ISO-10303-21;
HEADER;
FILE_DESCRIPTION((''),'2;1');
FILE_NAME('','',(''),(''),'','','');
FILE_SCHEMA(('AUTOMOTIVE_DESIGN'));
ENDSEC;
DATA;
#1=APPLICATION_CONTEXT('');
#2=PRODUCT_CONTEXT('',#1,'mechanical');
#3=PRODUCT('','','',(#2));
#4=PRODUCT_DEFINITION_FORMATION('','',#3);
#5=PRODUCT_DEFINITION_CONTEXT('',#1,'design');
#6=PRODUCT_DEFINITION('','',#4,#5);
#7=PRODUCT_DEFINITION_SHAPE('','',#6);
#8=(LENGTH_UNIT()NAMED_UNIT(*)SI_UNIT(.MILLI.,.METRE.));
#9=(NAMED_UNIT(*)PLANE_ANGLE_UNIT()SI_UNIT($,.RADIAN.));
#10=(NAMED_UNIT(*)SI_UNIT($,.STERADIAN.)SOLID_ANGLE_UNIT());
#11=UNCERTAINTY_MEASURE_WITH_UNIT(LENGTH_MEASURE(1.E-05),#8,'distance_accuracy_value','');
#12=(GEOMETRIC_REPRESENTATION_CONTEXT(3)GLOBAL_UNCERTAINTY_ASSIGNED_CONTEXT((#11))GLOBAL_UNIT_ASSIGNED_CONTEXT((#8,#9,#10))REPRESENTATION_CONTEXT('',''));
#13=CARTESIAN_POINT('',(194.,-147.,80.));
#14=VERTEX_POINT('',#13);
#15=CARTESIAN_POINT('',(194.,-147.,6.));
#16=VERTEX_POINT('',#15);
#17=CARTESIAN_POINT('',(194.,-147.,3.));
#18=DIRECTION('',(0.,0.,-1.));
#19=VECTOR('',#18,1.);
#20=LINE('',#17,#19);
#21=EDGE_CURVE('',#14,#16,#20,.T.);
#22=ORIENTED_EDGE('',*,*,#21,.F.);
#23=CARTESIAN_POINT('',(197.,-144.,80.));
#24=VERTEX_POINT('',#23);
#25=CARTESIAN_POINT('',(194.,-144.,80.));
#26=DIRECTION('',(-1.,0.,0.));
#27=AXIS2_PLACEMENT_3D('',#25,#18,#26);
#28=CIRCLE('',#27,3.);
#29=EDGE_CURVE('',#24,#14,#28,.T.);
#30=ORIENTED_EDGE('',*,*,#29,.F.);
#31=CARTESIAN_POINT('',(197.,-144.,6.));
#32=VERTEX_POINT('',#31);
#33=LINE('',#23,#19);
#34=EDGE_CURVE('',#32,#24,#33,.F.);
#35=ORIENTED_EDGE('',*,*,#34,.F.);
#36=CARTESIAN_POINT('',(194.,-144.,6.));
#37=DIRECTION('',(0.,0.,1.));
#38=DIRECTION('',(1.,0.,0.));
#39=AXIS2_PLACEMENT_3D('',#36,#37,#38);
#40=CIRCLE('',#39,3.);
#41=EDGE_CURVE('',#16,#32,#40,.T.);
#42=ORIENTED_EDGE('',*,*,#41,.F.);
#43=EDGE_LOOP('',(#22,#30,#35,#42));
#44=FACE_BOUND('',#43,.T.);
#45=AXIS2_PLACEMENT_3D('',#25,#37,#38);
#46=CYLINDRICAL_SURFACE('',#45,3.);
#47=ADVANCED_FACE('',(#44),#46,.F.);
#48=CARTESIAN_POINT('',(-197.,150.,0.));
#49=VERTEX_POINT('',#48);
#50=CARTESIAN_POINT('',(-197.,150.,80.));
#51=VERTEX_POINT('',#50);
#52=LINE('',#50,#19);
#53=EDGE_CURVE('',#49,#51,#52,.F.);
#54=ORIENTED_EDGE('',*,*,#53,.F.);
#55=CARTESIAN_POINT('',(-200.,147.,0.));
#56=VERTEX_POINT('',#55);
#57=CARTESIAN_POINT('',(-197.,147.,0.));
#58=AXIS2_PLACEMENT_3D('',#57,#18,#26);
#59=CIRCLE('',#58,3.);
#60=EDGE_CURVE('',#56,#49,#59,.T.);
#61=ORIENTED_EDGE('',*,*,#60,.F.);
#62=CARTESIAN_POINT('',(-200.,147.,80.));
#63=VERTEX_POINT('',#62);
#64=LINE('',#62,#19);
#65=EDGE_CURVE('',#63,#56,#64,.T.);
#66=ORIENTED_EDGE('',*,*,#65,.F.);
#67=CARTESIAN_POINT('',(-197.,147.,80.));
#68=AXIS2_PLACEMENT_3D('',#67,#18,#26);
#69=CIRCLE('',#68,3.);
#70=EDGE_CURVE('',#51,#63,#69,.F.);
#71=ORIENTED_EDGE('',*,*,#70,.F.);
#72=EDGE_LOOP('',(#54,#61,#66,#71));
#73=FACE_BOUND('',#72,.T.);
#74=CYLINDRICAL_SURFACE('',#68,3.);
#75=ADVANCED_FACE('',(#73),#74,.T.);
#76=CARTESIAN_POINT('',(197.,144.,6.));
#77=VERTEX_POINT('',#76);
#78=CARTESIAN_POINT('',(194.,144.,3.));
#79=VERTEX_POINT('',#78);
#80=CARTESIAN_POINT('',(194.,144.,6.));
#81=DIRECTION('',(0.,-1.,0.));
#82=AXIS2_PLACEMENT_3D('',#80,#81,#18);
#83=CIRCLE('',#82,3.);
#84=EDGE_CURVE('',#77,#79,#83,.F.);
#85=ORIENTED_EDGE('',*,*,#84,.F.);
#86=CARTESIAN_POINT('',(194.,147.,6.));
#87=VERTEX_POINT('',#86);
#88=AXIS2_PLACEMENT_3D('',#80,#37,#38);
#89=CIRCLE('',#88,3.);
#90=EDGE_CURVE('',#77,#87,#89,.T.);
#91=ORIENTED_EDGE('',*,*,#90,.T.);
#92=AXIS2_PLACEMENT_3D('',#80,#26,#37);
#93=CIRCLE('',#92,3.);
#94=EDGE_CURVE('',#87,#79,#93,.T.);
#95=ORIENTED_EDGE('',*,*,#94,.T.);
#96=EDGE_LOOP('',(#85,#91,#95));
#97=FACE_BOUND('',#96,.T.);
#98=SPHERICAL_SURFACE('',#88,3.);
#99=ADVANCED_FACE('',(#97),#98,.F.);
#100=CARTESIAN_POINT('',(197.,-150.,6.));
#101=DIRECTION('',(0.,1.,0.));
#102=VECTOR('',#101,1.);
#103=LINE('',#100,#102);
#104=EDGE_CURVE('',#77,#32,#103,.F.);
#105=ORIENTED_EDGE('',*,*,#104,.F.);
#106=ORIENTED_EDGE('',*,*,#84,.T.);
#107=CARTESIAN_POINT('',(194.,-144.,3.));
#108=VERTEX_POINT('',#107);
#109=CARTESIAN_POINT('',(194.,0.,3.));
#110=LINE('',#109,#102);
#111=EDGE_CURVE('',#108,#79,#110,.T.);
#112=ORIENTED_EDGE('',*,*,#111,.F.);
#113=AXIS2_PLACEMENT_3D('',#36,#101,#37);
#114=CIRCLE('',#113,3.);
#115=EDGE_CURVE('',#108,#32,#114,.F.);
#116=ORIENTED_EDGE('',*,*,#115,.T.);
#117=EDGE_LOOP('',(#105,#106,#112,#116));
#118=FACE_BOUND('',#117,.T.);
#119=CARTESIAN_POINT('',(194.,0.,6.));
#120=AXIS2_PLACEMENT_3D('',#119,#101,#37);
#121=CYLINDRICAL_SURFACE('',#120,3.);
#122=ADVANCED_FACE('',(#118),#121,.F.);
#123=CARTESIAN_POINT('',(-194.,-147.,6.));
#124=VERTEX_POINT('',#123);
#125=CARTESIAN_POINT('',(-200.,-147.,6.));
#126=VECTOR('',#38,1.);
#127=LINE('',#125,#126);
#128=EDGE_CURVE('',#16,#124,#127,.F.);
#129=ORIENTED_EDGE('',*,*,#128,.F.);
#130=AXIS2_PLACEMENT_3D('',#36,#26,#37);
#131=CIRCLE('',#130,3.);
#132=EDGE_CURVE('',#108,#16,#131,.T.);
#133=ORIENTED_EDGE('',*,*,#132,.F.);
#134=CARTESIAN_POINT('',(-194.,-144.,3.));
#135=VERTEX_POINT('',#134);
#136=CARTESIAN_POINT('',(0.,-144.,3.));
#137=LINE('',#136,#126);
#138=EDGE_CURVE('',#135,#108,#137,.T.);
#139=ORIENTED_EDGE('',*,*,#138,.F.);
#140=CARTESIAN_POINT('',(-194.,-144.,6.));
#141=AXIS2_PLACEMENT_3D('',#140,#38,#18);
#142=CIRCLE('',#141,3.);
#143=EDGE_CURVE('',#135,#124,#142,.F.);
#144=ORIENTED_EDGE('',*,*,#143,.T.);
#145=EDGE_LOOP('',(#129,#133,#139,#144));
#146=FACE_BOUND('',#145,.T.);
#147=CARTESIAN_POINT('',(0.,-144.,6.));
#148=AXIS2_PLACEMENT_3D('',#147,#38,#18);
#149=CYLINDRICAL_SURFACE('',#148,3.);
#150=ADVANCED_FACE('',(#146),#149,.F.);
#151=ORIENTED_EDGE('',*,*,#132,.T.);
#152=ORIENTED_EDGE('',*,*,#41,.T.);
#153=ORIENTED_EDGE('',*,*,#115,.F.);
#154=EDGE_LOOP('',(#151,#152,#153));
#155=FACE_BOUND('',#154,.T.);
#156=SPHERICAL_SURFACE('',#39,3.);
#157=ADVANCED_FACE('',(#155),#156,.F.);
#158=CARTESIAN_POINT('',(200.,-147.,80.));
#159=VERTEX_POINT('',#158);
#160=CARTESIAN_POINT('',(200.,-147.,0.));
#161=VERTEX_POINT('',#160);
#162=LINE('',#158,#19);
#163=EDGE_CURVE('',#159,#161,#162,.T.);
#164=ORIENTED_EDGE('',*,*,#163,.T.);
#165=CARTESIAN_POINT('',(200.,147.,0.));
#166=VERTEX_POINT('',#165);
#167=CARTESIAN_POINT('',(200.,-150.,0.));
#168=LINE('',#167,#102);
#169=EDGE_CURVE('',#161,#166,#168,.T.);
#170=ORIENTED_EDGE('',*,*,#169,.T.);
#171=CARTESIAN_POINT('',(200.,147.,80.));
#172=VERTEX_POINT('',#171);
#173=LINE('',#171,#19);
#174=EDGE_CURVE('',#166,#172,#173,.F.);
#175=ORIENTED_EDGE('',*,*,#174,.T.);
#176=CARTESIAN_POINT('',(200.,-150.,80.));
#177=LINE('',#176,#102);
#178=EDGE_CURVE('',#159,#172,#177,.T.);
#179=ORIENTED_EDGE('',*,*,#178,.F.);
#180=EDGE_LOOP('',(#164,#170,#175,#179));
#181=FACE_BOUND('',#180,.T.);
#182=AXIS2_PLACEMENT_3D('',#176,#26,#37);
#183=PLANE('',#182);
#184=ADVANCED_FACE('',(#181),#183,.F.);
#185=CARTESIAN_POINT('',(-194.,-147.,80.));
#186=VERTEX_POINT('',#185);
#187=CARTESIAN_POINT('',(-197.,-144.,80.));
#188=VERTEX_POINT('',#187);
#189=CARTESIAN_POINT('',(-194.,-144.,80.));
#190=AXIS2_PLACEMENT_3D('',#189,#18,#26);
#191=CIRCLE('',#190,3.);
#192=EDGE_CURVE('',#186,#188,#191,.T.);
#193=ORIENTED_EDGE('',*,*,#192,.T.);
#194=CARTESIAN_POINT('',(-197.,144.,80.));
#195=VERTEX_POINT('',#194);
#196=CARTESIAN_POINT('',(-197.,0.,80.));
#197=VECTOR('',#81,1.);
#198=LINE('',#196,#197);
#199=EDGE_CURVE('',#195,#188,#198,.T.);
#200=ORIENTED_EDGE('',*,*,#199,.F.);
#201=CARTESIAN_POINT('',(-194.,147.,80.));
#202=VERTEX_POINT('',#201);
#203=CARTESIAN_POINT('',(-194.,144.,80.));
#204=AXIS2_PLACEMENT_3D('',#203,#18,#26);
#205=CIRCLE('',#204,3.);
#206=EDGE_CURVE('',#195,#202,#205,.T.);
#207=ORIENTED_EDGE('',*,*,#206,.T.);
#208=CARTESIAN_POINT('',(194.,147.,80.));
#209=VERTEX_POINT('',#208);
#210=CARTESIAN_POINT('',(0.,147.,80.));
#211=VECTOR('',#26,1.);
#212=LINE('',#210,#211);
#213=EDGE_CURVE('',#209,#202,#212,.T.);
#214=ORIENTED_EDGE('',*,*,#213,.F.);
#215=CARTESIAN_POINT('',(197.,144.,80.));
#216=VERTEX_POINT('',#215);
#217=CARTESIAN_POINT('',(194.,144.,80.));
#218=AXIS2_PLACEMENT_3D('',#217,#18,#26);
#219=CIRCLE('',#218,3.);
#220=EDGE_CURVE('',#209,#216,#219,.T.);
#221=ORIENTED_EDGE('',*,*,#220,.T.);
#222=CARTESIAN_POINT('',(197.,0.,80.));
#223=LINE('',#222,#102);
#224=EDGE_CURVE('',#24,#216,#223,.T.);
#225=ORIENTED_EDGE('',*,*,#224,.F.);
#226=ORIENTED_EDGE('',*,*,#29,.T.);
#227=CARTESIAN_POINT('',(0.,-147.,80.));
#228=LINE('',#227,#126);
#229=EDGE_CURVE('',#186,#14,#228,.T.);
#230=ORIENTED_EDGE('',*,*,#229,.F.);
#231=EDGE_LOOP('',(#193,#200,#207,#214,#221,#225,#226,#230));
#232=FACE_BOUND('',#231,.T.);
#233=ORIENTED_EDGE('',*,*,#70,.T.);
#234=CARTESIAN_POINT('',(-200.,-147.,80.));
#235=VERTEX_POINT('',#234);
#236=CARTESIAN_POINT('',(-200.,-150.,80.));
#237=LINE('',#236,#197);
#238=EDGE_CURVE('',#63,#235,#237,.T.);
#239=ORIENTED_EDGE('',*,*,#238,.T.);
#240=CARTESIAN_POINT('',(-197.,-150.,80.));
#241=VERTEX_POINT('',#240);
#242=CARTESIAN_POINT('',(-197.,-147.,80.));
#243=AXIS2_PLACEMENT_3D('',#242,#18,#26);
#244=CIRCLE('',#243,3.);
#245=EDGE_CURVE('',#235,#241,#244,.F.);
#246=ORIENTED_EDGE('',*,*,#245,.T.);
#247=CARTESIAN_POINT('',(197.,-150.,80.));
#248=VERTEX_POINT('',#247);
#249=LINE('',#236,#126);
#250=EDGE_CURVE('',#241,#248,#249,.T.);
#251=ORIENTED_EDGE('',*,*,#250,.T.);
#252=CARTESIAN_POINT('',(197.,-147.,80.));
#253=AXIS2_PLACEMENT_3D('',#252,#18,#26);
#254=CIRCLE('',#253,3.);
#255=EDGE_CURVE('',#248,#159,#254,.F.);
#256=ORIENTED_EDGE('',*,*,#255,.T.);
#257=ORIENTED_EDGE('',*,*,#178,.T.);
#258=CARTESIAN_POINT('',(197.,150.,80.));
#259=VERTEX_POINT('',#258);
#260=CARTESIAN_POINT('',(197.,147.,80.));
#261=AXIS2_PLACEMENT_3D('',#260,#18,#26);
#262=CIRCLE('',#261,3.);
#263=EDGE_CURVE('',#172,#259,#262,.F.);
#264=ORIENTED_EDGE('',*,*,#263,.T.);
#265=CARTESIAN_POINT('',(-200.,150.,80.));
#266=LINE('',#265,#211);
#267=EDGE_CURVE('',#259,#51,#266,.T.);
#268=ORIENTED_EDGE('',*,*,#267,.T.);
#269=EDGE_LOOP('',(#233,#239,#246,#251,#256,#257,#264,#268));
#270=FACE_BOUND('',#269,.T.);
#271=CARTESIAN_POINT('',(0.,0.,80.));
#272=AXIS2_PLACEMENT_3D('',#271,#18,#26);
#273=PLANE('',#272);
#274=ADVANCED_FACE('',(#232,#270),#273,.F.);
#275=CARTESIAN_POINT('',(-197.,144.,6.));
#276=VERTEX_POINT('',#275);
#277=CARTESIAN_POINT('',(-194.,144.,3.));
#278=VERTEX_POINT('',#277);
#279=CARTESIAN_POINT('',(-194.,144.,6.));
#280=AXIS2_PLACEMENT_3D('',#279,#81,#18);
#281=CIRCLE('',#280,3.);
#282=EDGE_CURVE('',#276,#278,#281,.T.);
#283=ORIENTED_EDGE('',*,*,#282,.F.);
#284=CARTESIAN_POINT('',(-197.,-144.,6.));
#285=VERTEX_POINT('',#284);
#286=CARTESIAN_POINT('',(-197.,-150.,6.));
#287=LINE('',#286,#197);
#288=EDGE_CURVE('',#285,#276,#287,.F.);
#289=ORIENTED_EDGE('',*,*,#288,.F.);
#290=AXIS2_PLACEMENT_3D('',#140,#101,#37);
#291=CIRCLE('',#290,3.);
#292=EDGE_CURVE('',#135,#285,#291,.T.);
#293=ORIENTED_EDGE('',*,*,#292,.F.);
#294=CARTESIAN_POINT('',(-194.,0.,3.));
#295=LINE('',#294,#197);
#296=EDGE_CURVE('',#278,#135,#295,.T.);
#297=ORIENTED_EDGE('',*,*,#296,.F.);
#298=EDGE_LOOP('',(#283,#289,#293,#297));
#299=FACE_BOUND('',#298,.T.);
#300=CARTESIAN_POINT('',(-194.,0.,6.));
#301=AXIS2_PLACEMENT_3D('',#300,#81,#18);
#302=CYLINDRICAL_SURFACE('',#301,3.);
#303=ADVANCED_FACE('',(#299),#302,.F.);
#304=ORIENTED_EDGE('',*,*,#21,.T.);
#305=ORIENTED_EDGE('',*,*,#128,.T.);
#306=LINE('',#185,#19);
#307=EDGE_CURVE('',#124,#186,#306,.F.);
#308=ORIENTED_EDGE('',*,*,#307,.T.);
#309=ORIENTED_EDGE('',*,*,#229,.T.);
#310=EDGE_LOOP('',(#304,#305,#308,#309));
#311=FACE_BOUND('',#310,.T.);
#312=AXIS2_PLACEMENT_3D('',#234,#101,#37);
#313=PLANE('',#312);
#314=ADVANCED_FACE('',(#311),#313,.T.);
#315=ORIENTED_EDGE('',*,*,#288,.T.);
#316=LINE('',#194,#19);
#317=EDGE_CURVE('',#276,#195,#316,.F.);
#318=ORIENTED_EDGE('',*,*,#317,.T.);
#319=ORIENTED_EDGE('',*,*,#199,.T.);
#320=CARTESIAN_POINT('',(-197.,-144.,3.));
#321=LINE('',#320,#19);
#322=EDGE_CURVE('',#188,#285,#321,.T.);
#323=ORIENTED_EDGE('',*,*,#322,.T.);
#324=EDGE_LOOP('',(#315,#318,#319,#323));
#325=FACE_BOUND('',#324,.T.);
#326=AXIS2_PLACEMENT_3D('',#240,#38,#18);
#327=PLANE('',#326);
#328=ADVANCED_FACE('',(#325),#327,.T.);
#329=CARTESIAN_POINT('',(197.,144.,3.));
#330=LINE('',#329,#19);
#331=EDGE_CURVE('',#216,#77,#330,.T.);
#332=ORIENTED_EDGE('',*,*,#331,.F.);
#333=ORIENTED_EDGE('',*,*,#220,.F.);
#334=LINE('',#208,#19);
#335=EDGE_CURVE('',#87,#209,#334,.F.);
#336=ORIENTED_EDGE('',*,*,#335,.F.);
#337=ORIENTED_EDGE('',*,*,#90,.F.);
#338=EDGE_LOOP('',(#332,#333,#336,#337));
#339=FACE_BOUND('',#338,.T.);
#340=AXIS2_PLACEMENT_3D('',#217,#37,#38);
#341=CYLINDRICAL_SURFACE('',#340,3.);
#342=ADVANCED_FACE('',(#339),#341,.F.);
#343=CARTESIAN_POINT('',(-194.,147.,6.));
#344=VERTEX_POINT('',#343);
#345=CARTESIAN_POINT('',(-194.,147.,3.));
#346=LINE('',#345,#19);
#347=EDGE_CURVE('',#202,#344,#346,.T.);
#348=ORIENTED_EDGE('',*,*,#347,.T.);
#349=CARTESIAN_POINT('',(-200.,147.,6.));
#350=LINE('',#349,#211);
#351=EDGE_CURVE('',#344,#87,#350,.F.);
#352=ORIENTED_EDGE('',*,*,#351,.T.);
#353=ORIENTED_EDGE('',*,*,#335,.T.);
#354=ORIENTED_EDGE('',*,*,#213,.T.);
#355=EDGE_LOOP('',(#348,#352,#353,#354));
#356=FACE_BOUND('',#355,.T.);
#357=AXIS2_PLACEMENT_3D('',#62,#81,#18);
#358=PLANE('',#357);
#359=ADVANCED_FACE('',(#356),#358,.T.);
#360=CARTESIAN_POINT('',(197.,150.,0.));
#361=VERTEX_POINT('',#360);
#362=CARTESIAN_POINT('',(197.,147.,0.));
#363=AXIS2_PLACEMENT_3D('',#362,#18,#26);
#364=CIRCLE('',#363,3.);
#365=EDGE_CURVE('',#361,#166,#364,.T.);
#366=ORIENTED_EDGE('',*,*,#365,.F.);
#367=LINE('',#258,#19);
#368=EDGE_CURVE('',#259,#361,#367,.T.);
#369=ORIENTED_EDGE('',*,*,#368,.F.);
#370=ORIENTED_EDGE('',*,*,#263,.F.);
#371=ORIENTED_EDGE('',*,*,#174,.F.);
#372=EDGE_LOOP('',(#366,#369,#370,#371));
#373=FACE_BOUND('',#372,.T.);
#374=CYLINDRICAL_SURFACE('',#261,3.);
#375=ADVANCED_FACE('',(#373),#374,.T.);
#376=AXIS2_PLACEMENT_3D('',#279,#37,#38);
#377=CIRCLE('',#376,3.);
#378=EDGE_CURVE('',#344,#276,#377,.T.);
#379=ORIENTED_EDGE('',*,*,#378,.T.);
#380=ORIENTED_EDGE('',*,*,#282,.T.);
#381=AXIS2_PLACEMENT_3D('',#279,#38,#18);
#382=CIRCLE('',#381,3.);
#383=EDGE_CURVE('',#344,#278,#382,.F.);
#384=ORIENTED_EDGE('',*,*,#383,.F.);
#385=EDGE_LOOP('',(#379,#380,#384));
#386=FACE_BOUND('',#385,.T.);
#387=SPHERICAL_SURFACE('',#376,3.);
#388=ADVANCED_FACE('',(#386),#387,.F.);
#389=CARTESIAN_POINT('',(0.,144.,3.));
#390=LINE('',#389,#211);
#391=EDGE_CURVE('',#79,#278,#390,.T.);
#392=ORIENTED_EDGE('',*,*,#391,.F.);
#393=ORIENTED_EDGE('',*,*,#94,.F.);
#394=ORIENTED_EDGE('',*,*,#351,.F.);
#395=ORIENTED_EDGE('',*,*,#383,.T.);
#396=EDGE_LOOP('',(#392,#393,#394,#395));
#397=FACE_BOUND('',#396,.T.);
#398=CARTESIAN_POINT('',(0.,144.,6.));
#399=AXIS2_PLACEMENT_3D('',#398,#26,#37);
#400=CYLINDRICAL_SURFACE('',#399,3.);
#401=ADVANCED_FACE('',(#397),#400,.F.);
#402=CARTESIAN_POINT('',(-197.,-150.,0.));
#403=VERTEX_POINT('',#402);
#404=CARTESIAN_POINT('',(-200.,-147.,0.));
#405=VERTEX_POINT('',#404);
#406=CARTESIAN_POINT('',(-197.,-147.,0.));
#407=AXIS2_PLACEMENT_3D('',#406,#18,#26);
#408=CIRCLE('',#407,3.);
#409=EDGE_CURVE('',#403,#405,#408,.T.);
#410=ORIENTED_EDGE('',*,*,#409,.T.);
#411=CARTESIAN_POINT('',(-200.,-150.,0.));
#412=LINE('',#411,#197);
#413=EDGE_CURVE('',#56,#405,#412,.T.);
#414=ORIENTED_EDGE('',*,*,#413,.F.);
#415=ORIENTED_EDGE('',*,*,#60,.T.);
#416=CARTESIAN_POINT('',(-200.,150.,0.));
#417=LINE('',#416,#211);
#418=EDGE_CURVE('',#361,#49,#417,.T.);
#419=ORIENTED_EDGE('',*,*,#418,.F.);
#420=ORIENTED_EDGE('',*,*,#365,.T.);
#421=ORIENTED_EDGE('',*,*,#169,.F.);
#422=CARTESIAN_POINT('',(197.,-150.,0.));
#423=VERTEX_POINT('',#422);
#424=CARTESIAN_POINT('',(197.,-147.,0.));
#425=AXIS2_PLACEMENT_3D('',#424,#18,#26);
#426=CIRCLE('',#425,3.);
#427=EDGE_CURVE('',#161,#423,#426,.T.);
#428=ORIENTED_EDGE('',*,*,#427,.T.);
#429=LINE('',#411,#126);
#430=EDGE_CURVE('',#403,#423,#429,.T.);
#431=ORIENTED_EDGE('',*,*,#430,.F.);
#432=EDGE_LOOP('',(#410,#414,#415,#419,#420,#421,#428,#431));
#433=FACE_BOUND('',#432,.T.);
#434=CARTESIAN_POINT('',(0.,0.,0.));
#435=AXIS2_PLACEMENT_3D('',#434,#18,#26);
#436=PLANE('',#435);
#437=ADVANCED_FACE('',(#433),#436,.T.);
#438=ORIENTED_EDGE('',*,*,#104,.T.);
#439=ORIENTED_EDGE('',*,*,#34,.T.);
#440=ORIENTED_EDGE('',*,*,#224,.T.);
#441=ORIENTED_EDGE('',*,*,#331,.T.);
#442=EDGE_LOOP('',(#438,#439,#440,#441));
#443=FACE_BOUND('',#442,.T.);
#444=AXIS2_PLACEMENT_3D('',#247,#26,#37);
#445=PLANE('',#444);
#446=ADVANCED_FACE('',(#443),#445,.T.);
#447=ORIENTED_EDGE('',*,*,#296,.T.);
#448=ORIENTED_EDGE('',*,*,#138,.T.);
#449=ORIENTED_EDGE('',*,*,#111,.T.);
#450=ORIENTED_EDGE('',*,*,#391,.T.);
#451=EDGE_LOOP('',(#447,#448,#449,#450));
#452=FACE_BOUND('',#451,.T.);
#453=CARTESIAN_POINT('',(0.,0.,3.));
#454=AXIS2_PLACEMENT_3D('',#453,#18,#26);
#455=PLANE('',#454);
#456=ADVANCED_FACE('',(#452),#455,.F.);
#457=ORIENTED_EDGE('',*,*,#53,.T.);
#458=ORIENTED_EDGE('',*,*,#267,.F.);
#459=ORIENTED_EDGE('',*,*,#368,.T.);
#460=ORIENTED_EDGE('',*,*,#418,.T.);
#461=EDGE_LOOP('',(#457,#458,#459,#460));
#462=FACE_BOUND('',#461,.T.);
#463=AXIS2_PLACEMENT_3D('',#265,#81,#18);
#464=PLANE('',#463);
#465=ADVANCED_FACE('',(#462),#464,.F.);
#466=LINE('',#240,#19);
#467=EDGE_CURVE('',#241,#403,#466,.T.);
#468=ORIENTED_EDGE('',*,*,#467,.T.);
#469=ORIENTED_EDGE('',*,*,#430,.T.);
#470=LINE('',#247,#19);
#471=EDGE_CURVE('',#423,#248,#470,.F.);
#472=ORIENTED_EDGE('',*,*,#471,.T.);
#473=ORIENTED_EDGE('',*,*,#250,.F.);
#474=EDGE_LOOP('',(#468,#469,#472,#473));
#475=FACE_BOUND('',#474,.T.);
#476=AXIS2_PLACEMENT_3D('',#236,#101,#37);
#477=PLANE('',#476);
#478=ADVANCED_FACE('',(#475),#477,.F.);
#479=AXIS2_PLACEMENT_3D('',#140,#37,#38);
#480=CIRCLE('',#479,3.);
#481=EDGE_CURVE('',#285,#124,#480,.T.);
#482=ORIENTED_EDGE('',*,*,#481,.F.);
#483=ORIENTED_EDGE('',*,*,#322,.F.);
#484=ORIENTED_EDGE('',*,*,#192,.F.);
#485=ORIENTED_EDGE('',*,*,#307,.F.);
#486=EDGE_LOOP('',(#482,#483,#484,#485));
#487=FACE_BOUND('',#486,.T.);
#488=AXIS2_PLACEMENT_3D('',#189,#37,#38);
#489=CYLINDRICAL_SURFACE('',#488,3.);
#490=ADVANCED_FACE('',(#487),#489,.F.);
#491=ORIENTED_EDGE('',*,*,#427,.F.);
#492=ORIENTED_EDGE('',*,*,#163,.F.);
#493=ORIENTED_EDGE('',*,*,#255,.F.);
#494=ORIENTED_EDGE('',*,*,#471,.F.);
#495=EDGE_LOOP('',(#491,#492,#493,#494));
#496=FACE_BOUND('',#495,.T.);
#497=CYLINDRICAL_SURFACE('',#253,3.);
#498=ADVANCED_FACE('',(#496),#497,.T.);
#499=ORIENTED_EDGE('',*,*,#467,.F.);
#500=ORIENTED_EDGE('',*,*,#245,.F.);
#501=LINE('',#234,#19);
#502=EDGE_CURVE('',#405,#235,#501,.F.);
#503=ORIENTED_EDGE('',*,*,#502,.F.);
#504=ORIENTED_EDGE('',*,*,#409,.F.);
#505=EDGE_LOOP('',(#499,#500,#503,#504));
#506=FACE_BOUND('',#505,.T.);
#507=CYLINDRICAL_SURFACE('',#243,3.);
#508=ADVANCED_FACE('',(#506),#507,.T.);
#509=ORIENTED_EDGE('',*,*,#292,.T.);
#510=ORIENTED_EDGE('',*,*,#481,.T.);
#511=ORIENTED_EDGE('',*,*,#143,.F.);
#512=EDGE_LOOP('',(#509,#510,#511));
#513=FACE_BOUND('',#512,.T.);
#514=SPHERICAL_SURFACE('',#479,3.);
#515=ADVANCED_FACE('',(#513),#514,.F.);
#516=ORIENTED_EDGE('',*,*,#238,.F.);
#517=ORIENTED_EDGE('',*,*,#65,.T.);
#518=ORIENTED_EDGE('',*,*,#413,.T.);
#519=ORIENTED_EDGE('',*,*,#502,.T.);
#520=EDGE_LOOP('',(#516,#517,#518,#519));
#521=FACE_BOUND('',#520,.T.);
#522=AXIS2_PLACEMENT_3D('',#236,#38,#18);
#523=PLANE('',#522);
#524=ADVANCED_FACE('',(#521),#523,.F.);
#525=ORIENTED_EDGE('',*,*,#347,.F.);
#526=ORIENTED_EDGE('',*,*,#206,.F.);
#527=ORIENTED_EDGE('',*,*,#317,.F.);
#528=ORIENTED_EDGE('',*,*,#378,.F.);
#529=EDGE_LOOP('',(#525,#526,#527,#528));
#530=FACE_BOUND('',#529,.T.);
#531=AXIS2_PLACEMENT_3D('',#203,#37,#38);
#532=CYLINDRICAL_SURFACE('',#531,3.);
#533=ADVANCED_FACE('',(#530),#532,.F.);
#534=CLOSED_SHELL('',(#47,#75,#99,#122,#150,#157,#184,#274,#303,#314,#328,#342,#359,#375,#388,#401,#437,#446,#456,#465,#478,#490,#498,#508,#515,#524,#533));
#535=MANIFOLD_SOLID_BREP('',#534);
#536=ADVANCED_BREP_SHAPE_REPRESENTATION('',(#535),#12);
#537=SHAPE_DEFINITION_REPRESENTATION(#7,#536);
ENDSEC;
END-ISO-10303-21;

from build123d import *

# Parameters (mm, degrees)
SKETCH_1_W      = 400
SKETCH_1_H      = 300
EXTRUDE_1_DEPTH = 80
SHELL_1_T       = -3
FILLET_1_R      = 3
FILLET_2_R      = 3


with BuildPart() as part:
    # 草图1 → 凸台-拉伸1 (new body)
    with BuildSketch(Plane.XY):
        Rectangle(SKETCH_1_W, SKETCH_1_H)
    extrude(amount=EXTRUDE_1_DEPTH)

    # 抽壳1
    shell_1_openings = [part.faces().sort_by_distance(p)[0] for p in [
        (0, 0, 80),
    ]]
    offset(amount=SHELL_1_T, openings=shell_1_openings, kind=Kind.INTERSECTION)

    # 圆角1
    fillet_1_edges = [part.edges().sort_by_distance(p)[0] for p in [
        (197, 0, 3),
        (197, -147, 41.5),
        (0, 147, 3),
        (197, 147, 41.5),
        (-197, 0, 3),
        (-197, 147, 41.5),
        (0, -147, 3),
        (-197, -147, 41.5),
    ]]
    fillet(fillet_1_edges, radius=FILLET_1_R)

    # 圆角2
    fillet_2_edges = [part.edges().sort_by_distance(p)[0] for p in [
        (200, -150, 40),
        (-200, -150, 40),
        (-200, 150, 40),
        (200, 150, 40),
    ]]
    fillet(fillet_2_edges, radius=FILLET_2_R)


solid = part.part
